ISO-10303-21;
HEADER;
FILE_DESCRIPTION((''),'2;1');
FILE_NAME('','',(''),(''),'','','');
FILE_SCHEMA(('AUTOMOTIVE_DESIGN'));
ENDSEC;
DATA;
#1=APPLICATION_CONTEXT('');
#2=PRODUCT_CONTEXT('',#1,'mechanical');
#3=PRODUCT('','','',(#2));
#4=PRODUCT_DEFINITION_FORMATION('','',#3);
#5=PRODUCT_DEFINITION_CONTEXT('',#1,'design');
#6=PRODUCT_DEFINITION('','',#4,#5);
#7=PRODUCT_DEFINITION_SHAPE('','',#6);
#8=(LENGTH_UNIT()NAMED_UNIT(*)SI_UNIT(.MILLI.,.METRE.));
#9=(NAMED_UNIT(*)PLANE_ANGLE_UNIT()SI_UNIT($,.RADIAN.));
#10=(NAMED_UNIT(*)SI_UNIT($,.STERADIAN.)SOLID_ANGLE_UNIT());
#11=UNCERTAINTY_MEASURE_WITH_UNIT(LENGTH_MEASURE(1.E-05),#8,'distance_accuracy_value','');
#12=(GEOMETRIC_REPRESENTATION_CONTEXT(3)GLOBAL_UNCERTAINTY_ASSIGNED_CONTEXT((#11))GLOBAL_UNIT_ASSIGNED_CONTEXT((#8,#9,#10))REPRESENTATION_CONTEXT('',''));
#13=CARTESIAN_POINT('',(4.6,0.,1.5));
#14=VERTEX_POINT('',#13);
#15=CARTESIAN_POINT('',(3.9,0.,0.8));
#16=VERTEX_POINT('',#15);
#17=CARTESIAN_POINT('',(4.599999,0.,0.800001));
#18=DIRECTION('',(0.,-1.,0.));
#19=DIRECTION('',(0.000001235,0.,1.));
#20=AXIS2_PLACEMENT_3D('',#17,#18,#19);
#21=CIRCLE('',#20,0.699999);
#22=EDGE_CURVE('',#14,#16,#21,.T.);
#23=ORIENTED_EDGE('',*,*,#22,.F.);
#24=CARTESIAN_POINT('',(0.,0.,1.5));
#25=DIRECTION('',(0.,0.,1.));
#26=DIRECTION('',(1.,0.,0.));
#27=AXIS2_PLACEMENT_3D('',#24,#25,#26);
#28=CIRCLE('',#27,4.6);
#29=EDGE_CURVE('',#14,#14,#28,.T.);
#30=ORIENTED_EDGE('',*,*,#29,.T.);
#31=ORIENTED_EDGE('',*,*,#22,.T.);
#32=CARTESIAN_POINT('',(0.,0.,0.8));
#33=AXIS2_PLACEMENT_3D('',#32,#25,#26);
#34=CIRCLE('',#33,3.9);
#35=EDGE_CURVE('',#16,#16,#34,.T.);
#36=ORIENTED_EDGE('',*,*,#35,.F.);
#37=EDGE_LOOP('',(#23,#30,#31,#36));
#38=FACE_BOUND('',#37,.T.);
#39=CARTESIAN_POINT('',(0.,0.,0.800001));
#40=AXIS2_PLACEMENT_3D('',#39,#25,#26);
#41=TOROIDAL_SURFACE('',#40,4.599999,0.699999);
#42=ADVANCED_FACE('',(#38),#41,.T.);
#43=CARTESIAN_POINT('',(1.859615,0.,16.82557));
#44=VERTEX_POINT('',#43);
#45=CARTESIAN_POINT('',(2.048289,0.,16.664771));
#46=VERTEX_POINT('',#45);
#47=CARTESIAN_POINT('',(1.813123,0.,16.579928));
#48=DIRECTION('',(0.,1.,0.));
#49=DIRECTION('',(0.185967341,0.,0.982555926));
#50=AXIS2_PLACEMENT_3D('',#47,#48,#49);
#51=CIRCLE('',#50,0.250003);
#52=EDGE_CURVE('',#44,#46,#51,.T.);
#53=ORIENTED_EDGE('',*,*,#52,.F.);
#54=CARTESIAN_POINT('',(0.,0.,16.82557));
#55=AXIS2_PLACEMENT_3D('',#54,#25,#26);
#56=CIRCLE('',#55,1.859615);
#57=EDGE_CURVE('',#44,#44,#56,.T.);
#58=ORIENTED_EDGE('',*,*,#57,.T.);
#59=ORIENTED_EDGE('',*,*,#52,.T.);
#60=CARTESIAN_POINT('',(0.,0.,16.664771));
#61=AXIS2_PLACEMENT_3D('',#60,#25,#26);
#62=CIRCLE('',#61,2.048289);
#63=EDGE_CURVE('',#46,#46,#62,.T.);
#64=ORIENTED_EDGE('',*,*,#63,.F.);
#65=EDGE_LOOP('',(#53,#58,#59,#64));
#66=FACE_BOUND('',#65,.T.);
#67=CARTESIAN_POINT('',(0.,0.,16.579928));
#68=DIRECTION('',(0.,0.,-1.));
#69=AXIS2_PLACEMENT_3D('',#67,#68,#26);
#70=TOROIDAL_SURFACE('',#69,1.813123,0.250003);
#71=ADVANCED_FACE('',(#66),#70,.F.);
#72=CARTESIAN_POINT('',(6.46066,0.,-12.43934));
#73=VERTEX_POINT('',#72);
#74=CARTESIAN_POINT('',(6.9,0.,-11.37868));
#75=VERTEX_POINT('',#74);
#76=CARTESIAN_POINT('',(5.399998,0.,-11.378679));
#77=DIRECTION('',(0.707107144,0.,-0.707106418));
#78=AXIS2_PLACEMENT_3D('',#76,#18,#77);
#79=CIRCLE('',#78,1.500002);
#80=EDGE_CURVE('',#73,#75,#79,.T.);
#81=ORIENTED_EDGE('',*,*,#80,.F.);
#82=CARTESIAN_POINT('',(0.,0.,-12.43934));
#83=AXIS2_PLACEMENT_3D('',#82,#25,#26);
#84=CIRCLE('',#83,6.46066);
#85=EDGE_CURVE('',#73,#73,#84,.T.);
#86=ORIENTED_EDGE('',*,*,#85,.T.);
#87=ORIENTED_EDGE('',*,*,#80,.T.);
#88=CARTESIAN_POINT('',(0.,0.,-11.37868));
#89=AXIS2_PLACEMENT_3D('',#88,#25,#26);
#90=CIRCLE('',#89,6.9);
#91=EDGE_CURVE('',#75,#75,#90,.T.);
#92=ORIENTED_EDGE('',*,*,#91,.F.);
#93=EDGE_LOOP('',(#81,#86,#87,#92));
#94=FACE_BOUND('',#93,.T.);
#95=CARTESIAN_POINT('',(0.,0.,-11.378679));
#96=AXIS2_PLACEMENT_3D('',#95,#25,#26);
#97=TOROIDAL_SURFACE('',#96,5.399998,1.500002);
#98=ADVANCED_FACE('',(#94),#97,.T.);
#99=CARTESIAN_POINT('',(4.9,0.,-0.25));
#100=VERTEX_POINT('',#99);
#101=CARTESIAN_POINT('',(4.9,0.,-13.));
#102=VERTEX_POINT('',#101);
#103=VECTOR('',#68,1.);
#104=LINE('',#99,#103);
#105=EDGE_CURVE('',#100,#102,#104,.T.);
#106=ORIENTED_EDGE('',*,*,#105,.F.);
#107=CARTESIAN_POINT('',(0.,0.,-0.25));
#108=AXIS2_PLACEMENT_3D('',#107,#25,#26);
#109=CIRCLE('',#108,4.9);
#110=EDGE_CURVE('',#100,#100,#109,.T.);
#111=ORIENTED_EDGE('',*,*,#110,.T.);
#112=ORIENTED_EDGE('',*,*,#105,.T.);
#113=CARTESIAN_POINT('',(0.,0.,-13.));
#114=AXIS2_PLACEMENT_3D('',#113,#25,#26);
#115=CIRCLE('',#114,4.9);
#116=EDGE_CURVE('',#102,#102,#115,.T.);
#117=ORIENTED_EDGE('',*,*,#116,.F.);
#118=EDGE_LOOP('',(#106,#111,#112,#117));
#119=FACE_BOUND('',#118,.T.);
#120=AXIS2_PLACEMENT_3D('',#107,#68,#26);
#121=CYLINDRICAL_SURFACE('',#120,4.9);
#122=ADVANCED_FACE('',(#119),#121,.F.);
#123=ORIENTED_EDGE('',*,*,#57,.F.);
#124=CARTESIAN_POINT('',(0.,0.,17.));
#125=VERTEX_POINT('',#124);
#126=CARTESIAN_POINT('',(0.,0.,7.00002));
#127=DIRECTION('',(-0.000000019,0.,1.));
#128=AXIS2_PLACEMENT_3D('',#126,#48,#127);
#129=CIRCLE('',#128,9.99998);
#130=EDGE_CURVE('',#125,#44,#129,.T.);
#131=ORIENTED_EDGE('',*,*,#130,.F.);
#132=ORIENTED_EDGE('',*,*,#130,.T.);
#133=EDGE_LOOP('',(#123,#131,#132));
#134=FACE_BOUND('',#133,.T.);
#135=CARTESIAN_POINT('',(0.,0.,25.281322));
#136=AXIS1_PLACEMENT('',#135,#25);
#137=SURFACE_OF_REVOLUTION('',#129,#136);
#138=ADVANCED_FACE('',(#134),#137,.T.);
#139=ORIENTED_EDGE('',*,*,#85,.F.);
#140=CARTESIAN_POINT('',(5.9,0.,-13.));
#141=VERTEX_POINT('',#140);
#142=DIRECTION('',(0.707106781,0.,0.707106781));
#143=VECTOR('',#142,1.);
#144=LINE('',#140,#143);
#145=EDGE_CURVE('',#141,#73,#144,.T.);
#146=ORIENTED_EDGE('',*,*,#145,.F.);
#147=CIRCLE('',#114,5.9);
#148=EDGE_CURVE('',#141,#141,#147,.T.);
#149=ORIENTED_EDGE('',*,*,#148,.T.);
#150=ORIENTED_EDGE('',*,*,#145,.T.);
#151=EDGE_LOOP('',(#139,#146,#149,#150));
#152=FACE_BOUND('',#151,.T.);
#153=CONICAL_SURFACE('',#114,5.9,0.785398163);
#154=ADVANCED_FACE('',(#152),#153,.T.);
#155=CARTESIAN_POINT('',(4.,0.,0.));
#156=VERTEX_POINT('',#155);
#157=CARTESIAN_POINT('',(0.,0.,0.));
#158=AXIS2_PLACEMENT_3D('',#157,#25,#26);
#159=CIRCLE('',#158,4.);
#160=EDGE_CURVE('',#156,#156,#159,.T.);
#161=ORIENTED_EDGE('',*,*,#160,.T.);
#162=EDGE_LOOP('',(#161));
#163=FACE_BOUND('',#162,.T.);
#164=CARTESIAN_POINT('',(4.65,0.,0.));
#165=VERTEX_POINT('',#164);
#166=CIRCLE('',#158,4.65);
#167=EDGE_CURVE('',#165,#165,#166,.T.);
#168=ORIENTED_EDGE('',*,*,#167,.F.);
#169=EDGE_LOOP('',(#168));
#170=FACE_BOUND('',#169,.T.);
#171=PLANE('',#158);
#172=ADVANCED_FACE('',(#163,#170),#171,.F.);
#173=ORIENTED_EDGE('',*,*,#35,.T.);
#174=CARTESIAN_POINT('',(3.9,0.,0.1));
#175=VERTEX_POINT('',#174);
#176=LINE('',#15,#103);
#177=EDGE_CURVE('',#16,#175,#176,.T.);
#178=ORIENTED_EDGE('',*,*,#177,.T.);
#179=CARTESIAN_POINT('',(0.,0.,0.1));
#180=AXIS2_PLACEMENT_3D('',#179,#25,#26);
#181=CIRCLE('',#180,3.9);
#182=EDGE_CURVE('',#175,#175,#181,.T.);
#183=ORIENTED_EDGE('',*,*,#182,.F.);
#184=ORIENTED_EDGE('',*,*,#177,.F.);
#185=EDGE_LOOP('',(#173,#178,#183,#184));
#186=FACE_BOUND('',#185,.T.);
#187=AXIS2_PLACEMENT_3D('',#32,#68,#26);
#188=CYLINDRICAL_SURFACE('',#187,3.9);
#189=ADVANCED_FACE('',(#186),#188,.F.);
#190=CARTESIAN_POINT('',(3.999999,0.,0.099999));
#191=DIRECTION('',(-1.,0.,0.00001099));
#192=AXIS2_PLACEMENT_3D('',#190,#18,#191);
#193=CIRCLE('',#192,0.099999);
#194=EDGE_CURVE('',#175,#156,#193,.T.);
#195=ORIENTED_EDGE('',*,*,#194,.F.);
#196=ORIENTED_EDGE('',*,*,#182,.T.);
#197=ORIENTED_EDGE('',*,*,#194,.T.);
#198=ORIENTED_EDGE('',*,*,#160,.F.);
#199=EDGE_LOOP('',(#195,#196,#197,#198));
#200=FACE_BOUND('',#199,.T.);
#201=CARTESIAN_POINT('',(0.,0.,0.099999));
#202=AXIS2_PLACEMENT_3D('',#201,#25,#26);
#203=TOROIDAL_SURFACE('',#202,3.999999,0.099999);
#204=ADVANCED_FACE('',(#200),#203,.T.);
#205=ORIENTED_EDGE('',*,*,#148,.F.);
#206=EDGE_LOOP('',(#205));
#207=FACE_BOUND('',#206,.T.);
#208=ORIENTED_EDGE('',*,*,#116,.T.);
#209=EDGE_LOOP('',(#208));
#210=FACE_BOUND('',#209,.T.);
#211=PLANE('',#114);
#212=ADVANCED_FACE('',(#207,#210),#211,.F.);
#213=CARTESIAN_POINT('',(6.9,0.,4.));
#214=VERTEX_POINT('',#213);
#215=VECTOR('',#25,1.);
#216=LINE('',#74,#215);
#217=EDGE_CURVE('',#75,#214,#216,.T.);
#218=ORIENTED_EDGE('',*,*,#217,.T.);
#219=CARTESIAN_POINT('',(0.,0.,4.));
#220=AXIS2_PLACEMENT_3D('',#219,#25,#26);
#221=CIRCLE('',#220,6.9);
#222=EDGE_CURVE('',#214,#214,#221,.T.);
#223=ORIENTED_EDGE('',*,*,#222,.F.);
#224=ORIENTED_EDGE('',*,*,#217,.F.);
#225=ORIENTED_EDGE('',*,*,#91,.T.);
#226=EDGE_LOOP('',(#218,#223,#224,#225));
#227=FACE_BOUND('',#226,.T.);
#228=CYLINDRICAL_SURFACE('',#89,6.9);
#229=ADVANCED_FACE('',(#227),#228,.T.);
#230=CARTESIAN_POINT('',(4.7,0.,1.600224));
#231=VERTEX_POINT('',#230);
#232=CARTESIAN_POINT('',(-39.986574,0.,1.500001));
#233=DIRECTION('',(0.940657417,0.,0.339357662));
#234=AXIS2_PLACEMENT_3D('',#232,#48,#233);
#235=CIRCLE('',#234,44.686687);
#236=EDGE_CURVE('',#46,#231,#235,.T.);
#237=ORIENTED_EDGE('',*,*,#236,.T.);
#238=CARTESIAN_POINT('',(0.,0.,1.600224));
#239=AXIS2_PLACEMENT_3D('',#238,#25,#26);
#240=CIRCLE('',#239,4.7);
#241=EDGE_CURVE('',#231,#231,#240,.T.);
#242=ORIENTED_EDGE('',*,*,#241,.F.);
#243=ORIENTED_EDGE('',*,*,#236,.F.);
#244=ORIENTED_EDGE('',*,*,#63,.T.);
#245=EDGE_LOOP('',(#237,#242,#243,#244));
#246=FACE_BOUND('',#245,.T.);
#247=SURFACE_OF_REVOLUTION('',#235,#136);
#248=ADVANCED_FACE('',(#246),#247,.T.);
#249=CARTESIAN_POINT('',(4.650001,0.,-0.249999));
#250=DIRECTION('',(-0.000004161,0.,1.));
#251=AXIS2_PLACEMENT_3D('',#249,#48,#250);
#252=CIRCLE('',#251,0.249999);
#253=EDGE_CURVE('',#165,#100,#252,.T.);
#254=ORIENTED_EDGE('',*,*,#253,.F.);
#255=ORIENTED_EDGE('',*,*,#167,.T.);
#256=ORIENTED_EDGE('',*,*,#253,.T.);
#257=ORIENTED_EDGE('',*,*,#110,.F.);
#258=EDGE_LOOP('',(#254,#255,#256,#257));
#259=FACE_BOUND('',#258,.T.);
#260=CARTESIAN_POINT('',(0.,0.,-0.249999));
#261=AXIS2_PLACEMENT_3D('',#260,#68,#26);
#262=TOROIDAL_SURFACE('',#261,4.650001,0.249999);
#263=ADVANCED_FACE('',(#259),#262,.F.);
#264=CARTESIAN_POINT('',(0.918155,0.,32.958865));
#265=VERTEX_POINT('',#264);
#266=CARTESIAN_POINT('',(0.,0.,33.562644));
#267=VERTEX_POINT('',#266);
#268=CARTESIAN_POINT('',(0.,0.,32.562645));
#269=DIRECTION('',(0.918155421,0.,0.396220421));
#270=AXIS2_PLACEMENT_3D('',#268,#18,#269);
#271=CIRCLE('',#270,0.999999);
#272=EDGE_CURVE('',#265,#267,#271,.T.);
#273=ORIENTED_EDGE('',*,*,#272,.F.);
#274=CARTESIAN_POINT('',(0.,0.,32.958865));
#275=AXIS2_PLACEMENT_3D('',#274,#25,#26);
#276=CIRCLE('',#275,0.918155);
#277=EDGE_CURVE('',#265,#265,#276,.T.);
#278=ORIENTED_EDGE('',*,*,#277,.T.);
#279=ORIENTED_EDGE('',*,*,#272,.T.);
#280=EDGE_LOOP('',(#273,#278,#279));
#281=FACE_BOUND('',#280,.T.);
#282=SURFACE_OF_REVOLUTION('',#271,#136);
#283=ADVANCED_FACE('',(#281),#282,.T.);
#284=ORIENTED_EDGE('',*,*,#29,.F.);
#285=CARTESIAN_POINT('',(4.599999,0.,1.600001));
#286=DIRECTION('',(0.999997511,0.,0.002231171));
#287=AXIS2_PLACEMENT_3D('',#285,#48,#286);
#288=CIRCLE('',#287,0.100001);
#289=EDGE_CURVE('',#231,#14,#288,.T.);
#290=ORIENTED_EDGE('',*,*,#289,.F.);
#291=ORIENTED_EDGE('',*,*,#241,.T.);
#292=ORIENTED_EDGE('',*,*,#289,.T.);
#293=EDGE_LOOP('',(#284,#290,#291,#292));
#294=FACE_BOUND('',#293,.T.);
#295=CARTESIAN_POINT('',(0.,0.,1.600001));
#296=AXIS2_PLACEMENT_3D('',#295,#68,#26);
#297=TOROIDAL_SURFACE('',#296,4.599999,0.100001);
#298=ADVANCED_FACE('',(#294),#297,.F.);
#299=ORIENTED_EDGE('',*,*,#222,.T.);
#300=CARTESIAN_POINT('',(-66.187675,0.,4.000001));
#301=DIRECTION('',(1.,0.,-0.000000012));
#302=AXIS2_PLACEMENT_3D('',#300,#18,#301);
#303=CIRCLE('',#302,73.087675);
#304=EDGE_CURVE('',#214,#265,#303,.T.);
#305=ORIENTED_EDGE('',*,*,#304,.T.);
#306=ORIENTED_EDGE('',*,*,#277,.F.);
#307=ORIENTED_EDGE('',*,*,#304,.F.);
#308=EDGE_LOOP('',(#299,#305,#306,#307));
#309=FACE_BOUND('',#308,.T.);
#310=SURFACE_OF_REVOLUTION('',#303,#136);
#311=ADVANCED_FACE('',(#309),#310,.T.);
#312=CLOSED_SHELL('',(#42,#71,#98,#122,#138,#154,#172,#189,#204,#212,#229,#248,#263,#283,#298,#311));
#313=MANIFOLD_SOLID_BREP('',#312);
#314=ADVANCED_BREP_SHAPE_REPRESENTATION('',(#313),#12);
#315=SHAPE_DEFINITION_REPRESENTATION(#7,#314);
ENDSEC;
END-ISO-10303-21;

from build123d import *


with BuildPart() as f1:
    # F0 (on Front) → F1 (revolve)
    with BuildSketch(Plane.XZ):
        with BuildLine():
            Line((6.9, -11.37868), (6.9, 4))
            ThreePointArc((6.9, 4), (5.388918, 18.785114), (0.918155, 32.958865))
            ThreePointArc((0.918155, 32.958865), (0.549445, 33.398174), (0, 33.562644))
            Line((0, 33.562644), (0, 17))
            ThreePointArc((0, 17), (0.933889, 16.956297), (1.859615, 16.82557))
            ThreePointArc((1.859615, 16.82557), (1.975286, 16.770203), (2.048289, 16.664771))
            ThreePointArc((2.048289, 16.664771), (4.023505, 9.2468), (4.7, 1.600224))
            ThreePointArc((4.7, 1.600224), (4.67079, 1.529369), (4.6, 1.5))
            ThreePointArc((4.6, 1.5), (4.105025, 1.294975), (3.9, 0.8))
            Line((3.9, 0.8), (3.9, 0.1))
            ThreePointArc((3.9, 0.1), (3.929289, 0.029289), (4, 0))
            Line((4, 0), (4.65, 0))
            ThreePointArc((4.65, 0), (4.826777, -0.073223), (4.9, -0.25))
            Line((4.9, -0.25), (4.9, -13))
            Line((4.9, -13), (5.9, -13))
            Line((5.9, -13), (6.46066, -12.43934))
            ThreePointArc((6.46066, -12.43934), (6.785819, -11.952705), (6.9, -11.37868))
        make_face()
    revolve(axis=Axis((0, 0, 25.281322), (0, 0, 1)))


solid = f1.part
